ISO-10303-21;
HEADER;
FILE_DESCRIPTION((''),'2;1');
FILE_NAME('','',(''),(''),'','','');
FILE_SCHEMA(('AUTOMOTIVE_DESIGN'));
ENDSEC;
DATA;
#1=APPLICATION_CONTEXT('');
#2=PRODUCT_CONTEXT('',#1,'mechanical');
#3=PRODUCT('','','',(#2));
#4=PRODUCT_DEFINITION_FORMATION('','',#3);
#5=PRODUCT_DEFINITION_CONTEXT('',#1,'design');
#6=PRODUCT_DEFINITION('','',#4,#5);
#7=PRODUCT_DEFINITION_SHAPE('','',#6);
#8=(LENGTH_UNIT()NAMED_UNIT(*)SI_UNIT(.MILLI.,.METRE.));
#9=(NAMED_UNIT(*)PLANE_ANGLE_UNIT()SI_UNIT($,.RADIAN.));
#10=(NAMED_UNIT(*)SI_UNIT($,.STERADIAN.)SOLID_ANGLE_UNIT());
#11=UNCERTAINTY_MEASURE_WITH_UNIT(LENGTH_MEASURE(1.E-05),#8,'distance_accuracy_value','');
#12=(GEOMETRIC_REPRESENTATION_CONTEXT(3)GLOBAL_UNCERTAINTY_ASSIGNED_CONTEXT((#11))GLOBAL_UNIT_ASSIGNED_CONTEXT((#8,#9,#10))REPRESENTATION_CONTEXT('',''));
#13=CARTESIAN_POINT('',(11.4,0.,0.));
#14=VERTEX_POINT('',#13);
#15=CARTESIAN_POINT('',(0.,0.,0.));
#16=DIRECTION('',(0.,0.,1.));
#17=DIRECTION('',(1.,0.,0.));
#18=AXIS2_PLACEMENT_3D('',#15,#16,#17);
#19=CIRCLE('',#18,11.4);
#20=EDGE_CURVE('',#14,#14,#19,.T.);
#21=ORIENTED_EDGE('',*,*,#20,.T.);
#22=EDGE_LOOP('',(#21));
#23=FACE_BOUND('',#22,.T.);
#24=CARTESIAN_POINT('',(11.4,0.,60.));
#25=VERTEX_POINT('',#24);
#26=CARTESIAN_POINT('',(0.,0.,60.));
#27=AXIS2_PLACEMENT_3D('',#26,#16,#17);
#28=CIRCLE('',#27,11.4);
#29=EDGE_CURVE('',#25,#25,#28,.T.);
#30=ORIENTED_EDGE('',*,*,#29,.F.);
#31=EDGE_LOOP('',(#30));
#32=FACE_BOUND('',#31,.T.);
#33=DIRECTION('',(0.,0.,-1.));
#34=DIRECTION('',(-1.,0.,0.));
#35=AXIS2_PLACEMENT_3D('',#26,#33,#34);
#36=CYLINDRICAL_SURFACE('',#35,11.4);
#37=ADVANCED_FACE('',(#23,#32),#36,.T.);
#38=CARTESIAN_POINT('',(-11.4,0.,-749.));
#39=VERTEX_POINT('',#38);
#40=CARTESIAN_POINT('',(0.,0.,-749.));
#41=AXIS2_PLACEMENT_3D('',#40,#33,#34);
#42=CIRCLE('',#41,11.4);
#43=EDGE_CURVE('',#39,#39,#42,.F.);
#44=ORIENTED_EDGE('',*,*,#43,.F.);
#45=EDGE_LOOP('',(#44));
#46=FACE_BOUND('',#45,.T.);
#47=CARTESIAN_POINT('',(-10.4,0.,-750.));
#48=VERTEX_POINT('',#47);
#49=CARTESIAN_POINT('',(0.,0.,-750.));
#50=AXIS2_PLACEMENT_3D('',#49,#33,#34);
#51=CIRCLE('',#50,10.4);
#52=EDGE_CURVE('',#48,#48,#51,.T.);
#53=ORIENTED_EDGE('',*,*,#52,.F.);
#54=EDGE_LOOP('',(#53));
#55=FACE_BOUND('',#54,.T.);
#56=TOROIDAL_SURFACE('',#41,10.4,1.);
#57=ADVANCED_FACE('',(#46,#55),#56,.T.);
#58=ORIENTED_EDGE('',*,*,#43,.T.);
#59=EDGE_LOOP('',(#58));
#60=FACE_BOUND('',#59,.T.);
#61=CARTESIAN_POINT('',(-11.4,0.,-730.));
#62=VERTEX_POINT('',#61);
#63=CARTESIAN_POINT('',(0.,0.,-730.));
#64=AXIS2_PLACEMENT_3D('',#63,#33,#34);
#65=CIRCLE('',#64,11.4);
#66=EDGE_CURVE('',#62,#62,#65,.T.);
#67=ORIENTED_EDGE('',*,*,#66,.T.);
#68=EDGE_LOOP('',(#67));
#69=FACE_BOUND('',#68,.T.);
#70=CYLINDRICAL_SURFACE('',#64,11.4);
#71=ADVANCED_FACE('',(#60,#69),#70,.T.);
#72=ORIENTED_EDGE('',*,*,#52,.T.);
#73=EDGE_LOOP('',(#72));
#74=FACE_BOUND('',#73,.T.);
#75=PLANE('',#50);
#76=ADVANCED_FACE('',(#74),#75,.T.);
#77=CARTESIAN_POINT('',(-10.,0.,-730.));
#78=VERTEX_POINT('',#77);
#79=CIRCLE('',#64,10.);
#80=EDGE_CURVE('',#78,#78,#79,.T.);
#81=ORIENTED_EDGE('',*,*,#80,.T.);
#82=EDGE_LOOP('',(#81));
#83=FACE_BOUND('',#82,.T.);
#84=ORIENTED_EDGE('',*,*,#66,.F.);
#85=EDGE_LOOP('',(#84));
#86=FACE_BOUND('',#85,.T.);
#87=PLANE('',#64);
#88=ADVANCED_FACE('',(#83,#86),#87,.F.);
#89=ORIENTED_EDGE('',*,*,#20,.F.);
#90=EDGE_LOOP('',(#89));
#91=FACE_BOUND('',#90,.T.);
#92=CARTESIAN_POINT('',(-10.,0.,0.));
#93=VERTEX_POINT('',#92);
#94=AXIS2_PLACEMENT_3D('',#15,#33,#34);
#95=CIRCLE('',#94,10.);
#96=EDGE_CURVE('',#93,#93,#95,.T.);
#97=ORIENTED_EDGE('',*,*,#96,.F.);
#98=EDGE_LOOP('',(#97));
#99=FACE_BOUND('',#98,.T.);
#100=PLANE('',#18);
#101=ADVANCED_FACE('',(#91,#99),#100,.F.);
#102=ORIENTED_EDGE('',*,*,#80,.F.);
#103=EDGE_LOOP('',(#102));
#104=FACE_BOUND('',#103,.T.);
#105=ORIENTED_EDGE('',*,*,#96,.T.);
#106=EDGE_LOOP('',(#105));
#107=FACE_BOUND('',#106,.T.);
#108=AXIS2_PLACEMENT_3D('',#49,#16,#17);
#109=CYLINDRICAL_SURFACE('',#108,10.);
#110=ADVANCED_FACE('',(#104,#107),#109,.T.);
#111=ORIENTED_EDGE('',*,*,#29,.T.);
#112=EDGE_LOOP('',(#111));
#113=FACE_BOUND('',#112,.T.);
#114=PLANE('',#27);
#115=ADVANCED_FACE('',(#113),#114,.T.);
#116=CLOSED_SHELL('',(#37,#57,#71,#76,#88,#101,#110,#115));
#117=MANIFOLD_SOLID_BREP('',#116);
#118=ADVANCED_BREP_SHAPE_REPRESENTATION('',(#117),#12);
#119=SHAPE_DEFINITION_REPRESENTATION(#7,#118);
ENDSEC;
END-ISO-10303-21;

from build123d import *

# Parameters (mm, degrees)
ESQUISSE1_R        = 11.4
BOSS_EXTRU_1_DEPTH = 60
ESQUISSE2_R        = 10
BOSS_EXTRU_2_DEPTH = 750
ESQUISSE3_R        = 11.4
BOSS_EXTRU_3_DEPTH = 20
CONG_1_R           = 1


with BuildPart() as part:
    # Esquisse1 → Boss.-Extru.1 (new body)
    with BuildSketch(Plane.XY):
        Circle(ESQUISSE1_R)
    extrude(amount=BOSS_EXTRU_1_DEPTH)

    # Esquisse2 → Boss.-Extru.2 (add)
    with BuildSketch(Plane(origin=(0, 0, 0), x_dir=(-1, 0, 0), z_dir=(0, 0, -1))):
        Circle(ESQUISSE2_R)
    extrude(amount=BOSS_EXTRU_2_DEPTH)

    # Esquisse3 → Boss.-Extru.3 (add)
    with BuildSketch(Plane(origin=(0, 0, -750), x_dir=(-1, 0, 0), z_dir=(0, 0, -1))):
        with Locations(Location((0, 0, 0), (0, 0, 180))):
            Circle(ESQUISSE3_R)
    extrude(amount=-BOSS_EXTRU_3_DEPTH)

    # Congé1
    cong_1_edges = [part.edges().sort_by_distance(p)[0] for p in [
        (-11.4, 0, -750),
    ]]
    fillet(cong_1_edges, radius=CONG_1_R)


solid = part.part
